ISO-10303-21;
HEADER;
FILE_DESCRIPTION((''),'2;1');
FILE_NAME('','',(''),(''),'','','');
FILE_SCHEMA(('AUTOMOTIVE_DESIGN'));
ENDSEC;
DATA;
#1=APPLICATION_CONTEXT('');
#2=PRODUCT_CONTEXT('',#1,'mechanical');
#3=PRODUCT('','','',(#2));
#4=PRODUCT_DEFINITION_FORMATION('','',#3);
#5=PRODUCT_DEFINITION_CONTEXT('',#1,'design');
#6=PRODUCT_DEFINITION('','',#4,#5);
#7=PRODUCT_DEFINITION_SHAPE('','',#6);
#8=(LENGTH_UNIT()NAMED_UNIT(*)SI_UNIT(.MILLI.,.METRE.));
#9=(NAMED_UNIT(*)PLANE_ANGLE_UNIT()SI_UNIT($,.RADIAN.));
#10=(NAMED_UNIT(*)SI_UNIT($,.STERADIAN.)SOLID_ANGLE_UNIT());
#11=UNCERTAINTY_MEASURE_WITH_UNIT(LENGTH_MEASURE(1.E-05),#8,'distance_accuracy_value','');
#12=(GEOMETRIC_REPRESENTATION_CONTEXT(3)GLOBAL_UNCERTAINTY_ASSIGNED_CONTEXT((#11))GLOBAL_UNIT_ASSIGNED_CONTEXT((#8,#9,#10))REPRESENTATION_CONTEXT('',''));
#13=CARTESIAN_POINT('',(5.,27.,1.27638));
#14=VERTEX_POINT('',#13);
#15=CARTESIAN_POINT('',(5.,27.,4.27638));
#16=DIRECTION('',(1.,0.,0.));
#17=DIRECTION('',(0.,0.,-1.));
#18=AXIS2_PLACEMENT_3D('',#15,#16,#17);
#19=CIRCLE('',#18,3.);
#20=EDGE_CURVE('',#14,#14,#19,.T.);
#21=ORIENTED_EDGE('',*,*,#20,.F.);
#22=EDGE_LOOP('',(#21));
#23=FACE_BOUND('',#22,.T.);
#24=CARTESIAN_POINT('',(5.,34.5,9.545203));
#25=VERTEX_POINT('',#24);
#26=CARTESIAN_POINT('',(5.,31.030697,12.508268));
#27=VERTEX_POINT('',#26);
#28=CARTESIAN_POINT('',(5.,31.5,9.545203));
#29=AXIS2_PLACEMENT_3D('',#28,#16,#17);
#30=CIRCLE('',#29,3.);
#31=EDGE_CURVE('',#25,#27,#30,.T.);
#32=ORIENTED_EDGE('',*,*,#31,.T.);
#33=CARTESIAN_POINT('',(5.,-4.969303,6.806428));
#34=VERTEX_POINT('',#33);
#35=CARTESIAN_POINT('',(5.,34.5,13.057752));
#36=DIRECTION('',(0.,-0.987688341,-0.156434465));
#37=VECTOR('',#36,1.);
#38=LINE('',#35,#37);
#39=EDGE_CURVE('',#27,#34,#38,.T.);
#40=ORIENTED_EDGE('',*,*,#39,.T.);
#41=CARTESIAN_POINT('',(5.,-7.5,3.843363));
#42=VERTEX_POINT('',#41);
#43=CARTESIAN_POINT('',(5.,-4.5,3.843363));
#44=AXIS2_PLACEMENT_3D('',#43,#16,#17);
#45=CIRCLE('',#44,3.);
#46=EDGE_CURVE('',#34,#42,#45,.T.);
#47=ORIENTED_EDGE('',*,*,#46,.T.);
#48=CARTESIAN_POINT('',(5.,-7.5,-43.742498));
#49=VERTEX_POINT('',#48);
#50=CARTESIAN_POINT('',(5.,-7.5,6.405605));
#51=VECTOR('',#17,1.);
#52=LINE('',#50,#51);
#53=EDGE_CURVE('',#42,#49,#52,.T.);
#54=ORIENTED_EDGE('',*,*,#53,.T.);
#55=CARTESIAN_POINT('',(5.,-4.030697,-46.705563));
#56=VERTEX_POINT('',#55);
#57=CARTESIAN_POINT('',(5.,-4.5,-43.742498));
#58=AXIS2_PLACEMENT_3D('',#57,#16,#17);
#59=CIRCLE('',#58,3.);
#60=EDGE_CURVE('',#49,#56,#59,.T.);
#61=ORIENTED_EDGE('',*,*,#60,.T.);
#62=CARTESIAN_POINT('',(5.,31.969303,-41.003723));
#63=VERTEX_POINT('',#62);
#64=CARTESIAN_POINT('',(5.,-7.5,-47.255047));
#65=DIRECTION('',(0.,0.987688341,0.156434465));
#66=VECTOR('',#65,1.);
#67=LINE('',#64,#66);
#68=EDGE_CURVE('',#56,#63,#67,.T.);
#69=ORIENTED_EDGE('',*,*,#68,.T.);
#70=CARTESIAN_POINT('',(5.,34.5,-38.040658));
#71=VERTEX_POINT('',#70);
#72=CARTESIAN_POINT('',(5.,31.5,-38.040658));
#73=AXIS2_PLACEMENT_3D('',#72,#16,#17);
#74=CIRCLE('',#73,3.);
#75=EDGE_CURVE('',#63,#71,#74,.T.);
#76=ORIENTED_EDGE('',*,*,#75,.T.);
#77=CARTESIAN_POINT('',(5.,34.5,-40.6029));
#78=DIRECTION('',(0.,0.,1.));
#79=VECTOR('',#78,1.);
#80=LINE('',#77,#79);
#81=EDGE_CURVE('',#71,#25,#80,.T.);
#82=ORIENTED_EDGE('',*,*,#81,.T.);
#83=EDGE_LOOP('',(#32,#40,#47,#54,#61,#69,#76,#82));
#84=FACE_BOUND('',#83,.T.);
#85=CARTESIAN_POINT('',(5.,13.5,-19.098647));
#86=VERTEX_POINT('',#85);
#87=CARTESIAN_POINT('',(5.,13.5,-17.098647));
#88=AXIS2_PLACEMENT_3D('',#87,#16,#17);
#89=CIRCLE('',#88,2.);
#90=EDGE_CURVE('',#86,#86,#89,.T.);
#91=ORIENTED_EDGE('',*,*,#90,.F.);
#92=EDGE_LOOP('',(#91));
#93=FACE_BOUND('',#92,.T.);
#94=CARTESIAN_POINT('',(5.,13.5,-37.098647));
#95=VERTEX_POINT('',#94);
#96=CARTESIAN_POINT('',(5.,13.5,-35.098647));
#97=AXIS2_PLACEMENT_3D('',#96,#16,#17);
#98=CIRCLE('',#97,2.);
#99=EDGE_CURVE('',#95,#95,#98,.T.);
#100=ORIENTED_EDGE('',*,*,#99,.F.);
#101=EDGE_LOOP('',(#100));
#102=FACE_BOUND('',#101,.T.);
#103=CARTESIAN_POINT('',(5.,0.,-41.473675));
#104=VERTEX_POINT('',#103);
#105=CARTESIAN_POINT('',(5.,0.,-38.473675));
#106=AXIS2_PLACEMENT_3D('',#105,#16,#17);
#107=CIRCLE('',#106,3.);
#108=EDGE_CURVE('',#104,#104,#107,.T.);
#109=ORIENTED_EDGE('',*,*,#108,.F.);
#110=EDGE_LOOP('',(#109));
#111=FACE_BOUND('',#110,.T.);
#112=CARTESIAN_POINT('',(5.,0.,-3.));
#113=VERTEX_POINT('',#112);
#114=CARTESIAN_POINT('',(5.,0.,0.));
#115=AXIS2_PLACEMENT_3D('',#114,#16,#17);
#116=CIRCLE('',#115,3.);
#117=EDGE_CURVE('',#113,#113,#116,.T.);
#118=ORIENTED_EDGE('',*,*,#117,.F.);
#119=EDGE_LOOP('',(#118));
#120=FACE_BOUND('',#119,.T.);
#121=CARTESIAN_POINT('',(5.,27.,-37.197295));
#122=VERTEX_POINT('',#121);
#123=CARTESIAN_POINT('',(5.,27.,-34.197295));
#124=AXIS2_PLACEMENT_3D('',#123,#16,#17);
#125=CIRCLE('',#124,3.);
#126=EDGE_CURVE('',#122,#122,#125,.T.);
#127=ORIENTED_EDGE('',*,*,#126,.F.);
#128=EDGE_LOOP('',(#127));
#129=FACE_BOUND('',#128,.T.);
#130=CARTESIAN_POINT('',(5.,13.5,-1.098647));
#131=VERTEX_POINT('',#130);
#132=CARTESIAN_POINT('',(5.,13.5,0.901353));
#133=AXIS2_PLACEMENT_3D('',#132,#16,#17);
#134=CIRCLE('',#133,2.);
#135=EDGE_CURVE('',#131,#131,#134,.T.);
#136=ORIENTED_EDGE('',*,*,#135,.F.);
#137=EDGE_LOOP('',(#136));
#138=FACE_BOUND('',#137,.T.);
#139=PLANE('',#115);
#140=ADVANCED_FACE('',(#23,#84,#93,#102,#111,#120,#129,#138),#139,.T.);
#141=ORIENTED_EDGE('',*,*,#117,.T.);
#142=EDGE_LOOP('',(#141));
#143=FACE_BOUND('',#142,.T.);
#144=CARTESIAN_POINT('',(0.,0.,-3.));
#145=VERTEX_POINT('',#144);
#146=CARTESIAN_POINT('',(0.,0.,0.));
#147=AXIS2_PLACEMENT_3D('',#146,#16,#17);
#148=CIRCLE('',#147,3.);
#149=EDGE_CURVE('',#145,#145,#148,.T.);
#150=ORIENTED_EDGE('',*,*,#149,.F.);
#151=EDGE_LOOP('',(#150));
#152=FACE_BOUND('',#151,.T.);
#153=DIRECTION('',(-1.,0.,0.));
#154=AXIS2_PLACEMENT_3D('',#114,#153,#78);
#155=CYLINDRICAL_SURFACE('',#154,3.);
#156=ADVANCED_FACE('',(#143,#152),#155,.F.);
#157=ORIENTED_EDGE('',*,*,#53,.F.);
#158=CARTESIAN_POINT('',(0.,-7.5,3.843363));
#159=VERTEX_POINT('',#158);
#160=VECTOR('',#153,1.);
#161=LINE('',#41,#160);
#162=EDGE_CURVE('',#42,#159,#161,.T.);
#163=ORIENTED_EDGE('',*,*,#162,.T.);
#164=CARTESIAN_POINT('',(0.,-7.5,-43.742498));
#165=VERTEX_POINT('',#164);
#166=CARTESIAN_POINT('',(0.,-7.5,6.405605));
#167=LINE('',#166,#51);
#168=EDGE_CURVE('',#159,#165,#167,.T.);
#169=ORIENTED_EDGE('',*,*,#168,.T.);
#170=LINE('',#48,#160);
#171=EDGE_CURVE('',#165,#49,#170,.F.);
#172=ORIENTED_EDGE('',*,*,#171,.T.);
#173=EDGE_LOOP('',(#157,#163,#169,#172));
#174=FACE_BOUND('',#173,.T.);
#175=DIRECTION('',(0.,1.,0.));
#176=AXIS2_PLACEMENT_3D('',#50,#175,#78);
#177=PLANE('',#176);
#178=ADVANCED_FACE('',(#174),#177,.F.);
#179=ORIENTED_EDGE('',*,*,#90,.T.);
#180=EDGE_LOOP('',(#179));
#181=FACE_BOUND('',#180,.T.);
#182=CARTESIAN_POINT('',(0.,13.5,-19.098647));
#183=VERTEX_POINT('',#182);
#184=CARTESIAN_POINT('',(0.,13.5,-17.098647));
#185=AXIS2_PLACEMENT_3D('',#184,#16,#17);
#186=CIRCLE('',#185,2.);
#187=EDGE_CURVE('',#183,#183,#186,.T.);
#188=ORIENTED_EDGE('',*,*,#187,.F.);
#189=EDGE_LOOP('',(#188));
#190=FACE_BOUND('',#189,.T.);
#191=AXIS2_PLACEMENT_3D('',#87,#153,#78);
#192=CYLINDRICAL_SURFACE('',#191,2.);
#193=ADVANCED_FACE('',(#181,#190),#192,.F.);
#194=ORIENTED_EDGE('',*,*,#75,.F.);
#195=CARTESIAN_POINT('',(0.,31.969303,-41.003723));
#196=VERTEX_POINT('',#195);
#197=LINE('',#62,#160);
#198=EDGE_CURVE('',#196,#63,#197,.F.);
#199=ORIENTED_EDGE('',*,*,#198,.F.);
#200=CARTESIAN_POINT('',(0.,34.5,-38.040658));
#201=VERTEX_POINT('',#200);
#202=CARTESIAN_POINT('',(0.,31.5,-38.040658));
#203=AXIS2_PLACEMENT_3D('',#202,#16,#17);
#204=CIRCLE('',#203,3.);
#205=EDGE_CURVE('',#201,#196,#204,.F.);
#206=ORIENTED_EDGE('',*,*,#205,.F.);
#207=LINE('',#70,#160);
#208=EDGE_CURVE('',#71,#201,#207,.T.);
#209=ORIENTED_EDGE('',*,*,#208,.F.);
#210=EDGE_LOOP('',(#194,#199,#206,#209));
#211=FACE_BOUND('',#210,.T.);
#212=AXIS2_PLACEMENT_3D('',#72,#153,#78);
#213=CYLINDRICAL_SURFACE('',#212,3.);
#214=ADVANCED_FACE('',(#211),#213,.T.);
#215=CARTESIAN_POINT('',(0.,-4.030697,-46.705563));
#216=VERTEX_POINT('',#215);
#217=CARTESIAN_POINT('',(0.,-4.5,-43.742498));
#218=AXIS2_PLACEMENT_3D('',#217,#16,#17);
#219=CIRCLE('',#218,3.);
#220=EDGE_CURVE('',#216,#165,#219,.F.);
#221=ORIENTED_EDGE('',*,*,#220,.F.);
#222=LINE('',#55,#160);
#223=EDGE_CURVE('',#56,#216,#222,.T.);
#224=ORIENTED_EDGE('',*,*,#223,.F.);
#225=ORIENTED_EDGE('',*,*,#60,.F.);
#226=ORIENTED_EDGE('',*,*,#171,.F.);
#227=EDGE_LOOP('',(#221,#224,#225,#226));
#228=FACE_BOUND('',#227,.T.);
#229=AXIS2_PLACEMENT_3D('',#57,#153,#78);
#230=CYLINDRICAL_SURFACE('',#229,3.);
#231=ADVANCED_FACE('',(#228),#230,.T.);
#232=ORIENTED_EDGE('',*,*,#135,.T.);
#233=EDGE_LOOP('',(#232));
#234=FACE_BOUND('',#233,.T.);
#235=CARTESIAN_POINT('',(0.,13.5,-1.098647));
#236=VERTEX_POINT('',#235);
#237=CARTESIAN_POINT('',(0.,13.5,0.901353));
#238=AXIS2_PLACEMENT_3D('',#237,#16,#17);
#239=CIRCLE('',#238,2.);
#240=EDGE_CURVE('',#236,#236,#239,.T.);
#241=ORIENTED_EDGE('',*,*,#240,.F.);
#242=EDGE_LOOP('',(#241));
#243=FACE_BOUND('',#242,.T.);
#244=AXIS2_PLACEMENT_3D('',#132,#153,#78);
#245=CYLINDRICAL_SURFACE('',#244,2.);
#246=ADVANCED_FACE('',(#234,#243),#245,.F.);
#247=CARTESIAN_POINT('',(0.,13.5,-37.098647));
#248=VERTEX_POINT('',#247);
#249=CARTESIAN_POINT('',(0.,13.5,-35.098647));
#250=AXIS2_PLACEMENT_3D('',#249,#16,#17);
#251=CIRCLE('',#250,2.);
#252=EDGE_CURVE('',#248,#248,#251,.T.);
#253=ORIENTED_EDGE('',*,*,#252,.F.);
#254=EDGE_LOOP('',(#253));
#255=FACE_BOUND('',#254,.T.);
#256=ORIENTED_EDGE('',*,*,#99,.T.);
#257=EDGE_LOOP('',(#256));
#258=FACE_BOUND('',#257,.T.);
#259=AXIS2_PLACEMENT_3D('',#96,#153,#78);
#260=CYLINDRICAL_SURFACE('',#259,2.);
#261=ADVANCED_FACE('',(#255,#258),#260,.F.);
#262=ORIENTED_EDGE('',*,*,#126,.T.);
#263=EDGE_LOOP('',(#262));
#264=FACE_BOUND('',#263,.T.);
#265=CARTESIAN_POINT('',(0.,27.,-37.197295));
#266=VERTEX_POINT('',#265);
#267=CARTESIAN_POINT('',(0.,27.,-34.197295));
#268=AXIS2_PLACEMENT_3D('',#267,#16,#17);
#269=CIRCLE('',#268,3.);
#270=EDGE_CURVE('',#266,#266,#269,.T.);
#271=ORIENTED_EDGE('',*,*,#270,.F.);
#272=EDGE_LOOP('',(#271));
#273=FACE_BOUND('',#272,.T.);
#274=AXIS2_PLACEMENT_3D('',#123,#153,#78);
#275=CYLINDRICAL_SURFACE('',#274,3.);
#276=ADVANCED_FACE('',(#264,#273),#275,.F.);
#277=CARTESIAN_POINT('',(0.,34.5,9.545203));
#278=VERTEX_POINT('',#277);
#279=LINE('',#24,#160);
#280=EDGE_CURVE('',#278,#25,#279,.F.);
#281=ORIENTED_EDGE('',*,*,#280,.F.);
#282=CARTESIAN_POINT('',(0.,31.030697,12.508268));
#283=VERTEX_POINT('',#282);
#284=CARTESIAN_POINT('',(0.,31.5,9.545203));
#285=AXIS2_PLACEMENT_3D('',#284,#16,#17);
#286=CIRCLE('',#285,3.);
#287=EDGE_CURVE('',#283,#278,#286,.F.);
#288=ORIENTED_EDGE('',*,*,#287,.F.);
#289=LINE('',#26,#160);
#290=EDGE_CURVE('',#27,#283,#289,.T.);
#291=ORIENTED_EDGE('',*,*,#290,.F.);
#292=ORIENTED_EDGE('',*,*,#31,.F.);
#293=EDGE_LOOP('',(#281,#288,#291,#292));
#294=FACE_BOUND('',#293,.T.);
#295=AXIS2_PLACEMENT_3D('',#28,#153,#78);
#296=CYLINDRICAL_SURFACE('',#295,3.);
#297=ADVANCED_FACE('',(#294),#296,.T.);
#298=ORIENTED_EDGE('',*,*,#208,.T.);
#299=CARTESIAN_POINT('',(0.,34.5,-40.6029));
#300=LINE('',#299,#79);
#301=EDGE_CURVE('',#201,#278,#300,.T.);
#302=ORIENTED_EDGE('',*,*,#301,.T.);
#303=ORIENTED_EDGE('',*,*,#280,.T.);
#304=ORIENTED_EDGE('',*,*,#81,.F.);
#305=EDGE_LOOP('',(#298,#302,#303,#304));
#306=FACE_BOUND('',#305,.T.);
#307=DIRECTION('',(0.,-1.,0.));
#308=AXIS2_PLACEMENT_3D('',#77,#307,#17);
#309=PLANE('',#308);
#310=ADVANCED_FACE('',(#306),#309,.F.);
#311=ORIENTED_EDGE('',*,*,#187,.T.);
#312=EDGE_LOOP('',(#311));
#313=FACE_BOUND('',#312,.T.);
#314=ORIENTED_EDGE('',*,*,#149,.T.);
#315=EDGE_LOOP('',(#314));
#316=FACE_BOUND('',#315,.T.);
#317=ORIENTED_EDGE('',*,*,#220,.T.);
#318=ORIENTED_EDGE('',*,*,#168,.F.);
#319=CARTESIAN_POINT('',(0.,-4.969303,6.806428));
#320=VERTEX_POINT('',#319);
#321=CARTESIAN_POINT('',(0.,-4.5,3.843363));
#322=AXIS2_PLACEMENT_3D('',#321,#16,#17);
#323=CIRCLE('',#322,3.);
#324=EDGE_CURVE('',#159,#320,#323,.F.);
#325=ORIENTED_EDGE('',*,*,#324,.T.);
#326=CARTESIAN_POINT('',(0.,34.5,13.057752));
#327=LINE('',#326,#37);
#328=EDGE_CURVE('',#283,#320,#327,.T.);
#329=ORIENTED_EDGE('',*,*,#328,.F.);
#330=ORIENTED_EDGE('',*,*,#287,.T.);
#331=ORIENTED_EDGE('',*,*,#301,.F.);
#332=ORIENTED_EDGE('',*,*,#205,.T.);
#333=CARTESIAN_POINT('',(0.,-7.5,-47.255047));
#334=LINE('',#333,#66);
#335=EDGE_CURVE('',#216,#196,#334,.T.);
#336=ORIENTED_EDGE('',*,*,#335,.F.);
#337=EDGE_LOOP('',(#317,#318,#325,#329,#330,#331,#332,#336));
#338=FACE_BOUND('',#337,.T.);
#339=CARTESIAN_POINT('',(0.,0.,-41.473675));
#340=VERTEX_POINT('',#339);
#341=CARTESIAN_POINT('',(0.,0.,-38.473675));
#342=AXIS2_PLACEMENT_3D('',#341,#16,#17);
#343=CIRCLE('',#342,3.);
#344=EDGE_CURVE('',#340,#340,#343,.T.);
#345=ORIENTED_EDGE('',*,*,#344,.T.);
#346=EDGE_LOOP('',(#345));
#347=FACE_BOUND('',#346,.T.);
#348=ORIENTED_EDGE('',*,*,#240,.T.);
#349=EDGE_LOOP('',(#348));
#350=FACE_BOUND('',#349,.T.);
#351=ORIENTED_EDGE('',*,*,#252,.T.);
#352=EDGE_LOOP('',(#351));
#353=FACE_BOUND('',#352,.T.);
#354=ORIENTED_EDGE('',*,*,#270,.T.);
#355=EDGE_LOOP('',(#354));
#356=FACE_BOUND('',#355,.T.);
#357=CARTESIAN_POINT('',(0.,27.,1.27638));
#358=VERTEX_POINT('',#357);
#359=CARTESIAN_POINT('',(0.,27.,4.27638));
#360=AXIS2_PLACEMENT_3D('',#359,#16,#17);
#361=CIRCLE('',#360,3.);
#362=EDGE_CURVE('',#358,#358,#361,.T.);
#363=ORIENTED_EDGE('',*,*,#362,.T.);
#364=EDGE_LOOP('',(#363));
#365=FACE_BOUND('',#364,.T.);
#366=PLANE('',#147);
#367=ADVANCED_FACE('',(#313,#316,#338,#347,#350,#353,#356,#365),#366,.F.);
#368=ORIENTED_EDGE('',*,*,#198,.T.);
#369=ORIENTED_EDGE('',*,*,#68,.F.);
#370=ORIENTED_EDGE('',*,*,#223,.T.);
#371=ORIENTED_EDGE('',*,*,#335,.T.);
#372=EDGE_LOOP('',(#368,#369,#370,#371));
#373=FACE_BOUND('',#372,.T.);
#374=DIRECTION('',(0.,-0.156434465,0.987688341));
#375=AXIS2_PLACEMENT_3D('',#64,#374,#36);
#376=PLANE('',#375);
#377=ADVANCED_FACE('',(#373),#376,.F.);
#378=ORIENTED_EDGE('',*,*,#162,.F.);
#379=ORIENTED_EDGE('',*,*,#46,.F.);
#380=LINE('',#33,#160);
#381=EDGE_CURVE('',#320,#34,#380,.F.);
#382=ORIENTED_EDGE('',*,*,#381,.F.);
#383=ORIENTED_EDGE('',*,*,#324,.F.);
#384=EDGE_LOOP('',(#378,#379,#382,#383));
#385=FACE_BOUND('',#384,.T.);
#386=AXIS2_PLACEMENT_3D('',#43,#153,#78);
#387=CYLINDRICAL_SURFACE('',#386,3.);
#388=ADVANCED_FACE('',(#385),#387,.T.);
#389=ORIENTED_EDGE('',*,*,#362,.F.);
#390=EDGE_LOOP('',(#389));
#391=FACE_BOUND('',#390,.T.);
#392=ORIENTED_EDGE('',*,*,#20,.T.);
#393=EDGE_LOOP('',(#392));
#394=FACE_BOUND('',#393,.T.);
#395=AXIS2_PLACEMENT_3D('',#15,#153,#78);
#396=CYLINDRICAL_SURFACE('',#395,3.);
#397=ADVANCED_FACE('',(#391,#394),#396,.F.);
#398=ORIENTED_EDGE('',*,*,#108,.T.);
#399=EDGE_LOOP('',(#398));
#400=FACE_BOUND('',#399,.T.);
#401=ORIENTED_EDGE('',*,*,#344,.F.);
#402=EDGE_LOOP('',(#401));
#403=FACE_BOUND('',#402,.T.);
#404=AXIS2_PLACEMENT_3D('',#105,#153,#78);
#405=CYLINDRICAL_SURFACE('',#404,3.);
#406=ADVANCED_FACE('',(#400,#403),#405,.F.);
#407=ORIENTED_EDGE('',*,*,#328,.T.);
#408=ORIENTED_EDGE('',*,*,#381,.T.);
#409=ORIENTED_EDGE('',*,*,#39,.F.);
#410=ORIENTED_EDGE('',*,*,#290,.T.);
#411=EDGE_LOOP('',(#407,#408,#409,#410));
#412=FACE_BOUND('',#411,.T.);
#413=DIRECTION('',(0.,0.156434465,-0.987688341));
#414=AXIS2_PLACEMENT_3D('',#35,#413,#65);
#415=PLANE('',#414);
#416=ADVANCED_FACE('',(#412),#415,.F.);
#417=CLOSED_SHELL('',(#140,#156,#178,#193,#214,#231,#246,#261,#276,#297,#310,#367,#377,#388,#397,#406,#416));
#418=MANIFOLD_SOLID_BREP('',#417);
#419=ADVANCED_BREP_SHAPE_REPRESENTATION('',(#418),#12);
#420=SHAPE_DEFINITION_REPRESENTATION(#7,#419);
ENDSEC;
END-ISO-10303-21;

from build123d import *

# Parameters (mm, degrees)
SKETCH1_R           = 3
SKETCH1_R_2         = 2
BOSS_EXTRUDE1_DEPTH = 5
FILLET1_R           = 3


with BuildPart() as part:
    # Sketch1 → Boss-Extrude1 (new body)
    with BuildSketch(Plane(origin=(0, 0, 0), x_dir=(0, 0, -1), z_dir=(1, 0, 0))):
        Polygon((-6.405605141, -7.5), (47.255046526, -7.5), (40.602900032, 34.5), (-13.057751635, 34.5), align=None)
        Circle(SKETCH1_R, mode=Mode.SUBTRACT)
        with Locations((38.47367478, 0)):
            Circle(SKETCH1_R, mode=Mode.SUBTRACT)
        with Locations((-4.276379889, 27)):
            Circle(SKETCH1_R, mode=Mode.SUBTRACT)
        with Locations((34.197294891, 27)):
            Circle(SKETCH1_R, mode=Mode.SUBTRACT)
        with Locations((17.098647446, 13.5)):
            Circle(SKETCH1_R_2, mode=Mode.SUBTRACT)
        with Locations((-0.901352554, 13.5)):
            Circle(SKETCH1_R_2, mode=Mode.SUBTRACT)
        with Locations((35.098647446, 13.5)):
            Circle(SKETCH1_R_2, mode=Mode.SUBTRACT)
    extrude(amount=BOSS_EXTRUDE1_DEPTH)

    # Fillet1
    fillet1_edges = [part.edges().sort_by_distance(p)[0] for p in [
        (2.5, 34.5, 13.057751635),
        (2.5, 34.5, -40.602900032),
        (2.5, -7.5, -47.255046526),
        (2.5, -7.5, 6.405605141),
    ]]
    fillet(fillet1_edges, radius=FILLET1_R)


solid = part.part
